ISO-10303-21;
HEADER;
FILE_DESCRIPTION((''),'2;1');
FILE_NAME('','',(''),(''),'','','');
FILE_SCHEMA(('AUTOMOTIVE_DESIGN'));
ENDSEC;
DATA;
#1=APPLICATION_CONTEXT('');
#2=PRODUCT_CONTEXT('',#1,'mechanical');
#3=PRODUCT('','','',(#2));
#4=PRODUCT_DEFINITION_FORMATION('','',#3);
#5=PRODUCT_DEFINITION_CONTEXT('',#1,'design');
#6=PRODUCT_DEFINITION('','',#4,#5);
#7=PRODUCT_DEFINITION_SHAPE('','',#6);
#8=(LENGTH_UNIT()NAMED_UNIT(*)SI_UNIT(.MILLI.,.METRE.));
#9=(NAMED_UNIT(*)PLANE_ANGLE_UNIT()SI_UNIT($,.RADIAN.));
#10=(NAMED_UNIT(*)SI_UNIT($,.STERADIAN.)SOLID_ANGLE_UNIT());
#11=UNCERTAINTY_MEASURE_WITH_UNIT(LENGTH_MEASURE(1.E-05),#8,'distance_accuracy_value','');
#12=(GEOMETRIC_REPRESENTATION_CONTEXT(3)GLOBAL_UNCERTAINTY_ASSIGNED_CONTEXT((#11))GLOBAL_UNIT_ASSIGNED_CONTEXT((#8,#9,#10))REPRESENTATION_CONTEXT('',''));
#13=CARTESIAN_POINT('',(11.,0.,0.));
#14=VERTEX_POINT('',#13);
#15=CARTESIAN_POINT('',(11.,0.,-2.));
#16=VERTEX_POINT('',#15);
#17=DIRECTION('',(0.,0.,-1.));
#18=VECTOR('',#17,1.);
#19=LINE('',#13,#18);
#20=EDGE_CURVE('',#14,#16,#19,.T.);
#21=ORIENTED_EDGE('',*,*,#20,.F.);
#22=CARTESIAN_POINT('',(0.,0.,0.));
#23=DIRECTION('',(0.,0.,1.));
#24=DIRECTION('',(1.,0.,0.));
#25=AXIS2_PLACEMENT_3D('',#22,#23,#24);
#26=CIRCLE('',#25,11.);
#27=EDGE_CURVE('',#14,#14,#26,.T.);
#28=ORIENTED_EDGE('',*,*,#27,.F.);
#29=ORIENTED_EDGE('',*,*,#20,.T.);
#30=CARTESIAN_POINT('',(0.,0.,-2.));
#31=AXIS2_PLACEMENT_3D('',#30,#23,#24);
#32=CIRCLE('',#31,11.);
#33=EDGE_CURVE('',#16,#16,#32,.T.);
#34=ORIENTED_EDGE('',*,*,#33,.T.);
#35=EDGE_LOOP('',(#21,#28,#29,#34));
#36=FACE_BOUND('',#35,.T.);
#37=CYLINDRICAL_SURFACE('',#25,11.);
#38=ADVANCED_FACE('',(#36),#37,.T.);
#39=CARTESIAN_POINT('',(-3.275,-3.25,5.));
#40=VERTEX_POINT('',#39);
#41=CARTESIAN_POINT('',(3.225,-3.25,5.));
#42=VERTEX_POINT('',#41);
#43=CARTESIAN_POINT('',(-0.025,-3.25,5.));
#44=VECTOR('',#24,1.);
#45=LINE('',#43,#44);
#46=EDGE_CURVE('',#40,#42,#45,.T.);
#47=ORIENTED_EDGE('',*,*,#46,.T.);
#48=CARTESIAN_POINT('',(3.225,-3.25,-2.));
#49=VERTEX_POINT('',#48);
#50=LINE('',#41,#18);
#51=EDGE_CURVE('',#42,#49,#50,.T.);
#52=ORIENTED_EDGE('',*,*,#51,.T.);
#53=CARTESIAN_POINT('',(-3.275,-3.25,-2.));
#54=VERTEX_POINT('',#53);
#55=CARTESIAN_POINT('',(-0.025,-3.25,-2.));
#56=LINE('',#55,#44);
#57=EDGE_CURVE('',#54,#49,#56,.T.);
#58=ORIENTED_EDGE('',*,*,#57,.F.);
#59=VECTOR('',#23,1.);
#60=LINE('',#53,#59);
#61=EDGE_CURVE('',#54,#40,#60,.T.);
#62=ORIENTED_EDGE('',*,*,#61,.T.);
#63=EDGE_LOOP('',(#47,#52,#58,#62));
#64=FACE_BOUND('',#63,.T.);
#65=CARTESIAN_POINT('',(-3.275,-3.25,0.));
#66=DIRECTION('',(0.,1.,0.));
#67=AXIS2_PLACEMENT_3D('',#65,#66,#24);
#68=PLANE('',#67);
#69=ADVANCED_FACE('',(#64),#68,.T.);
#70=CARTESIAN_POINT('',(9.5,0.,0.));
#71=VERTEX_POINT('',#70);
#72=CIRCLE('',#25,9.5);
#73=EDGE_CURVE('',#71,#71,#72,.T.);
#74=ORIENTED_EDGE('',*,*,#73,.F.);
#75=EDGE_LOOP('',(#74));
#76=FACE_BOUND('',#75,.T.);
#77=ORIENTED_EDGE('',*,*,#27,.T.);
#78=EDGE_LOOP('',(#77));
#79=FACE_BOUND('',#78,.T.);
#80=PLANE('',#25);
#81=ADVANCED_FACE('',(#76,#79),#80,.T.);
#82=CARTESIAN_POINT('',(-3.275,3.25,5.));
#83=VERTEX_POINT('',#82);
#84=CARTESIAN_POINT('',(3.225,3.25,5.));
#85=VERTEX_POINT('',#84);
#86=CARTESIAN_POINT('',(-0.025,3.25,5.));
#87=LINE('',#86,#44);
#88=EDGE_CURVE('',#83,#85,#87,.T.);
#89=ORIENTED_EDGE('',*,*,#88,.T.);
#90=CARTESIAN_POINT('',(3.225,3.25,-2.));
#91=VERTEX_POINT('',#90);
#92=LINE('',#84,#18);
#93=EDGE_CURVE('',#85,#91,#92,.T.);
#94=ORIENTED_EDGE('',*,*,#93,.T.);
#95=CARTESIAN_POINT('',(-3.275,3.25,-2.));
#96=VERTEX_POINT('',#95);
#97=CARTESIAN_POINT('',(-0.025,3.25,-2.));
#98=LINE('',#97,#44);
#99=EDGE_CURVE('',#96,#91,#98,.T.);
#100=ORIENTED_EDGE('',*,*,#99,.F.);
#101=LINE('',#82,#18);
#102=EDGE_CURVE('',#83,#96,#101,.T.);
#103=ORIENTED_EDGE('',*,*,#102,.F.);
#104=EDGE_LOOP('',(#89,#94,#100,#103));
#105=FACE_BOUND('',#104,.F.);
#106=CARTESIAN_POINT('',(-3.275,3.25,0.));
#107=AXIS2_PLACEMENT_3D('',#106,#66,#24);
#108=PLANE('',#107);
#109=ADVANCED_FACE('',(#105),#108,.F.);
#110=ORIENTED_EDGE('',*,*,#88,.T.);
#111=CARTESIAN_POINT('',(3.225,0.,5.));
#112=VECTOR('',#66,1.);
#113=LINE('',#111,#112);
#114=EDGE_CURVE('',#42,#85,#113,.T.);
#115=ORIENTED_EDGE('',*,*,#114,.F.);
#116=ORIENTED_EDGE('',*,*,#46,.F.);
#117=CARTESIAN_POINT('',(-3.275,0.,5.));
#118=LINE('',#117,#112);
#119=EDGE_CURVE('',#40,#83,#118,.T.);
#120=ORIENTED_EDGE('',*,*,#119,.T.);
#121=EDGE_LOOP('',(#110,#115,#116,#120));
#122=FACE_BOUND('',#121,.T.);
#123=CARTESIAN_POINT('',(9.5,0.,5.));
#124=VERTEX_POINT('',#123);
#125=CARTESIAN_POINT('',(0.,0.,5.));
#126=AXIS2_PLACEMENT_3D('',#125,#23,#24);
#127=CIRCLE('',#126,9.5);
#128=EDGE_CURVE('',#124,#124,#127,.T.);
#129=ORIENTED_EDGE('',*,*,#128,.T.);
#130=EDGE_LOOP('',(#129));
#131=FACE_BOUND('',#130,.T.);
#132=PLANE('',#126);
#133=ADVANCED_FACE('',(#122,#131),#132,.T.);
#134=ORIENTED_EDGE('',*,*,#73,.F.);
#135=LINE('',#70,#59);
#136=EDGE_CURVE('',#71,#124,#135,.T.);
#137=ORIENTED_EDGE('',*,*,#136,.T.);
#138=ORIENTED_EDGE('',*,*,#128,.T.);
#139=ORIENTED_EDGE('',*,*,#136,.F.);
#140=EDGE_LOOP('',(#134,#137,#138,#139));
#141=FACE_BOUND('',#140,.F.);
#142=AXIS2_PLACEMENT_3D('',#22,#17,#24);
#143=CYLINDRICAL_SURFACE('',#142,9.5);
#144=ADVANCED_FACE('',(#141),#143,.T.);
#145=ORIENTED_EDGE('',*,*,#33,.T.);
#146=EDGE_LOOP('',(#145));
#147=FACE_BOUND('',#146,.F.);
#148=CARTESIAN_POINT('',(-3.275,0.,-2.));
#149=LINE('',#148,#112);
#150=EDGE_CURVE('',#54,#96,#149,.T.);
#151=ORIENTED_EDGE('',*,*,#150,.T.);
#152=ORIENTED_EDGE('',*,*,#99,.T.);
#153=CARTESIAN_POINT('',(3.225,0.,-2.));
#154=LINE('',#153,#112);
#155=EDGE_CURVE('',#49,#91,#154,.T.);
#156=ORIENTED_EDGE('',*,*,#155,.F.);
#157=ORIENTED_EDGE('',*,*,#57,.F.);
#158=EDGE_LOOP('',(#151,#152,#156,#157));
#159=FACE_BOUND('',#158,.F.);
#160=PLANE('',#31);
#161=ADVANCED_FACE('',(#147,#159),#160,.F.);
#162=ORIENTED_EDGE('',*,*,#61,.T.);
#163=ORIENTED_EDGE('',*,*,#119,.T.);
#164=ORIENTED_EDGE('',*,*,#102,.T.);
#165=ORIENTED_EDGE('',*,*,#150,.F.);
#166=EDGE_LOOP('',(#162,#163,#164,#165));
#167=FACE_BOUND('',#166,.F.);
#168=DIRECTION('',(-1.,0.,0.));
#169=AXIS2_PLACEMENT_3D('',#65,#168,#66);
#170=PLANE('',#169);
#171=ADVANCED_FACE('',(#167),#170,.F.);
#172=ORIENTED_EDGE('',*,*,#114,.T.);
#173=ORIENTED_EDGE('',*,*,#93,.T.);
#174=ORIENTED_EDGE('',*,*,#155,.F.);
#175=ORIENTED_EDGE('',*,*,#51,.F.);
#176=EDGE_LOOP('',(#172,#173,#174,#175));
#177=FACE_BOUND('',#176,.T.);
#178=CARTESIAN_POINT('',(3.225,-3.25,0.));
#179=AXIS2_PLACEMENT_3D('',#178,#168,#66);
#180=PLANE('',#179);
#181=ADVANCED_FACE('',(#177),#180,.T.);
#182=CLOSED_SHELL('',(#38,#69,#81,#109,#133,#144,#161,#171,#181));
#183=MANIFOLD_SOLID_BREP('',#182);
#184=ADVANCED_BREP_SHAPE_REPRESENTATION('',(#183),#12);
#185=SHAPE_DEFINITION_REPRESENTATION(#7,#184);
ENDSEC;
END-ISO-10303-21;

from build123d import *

# Parameters (mm, degrees)
F0_R     = 11
F0_R_2   = 9.5
F0_W     = 6.5
F0_H     = 6.5
F1_DEPTH = 2
F2_DEPTH = 5


with BuildPart() as f1:
    # F0 (on Top) → F1 (new body)
    with BuildSketch(Plane.XY):
        Circle(F0_R)
        Circle(F0_R_2, mode=Mode.SUBTRACT)
        Circle(F0_R_2)
        with Locations((-0.025, 0)):
            Rectangle(F0_W, F0_H, mode=Mode.SUBTRACT)
    extrude(amount=-F1_DEPTH)

    # F0 (on Top) → F2 (join)
    with BuildSketch(Plane.XY):
        Circle(F0_R_2)
        with Locations((-0.025, 0)):
            Rectangle(F0_W, F0_H, mode=Mode.SUBTRACT)
    extrude(amount=F2_DEPTH)


solid = f1.part
